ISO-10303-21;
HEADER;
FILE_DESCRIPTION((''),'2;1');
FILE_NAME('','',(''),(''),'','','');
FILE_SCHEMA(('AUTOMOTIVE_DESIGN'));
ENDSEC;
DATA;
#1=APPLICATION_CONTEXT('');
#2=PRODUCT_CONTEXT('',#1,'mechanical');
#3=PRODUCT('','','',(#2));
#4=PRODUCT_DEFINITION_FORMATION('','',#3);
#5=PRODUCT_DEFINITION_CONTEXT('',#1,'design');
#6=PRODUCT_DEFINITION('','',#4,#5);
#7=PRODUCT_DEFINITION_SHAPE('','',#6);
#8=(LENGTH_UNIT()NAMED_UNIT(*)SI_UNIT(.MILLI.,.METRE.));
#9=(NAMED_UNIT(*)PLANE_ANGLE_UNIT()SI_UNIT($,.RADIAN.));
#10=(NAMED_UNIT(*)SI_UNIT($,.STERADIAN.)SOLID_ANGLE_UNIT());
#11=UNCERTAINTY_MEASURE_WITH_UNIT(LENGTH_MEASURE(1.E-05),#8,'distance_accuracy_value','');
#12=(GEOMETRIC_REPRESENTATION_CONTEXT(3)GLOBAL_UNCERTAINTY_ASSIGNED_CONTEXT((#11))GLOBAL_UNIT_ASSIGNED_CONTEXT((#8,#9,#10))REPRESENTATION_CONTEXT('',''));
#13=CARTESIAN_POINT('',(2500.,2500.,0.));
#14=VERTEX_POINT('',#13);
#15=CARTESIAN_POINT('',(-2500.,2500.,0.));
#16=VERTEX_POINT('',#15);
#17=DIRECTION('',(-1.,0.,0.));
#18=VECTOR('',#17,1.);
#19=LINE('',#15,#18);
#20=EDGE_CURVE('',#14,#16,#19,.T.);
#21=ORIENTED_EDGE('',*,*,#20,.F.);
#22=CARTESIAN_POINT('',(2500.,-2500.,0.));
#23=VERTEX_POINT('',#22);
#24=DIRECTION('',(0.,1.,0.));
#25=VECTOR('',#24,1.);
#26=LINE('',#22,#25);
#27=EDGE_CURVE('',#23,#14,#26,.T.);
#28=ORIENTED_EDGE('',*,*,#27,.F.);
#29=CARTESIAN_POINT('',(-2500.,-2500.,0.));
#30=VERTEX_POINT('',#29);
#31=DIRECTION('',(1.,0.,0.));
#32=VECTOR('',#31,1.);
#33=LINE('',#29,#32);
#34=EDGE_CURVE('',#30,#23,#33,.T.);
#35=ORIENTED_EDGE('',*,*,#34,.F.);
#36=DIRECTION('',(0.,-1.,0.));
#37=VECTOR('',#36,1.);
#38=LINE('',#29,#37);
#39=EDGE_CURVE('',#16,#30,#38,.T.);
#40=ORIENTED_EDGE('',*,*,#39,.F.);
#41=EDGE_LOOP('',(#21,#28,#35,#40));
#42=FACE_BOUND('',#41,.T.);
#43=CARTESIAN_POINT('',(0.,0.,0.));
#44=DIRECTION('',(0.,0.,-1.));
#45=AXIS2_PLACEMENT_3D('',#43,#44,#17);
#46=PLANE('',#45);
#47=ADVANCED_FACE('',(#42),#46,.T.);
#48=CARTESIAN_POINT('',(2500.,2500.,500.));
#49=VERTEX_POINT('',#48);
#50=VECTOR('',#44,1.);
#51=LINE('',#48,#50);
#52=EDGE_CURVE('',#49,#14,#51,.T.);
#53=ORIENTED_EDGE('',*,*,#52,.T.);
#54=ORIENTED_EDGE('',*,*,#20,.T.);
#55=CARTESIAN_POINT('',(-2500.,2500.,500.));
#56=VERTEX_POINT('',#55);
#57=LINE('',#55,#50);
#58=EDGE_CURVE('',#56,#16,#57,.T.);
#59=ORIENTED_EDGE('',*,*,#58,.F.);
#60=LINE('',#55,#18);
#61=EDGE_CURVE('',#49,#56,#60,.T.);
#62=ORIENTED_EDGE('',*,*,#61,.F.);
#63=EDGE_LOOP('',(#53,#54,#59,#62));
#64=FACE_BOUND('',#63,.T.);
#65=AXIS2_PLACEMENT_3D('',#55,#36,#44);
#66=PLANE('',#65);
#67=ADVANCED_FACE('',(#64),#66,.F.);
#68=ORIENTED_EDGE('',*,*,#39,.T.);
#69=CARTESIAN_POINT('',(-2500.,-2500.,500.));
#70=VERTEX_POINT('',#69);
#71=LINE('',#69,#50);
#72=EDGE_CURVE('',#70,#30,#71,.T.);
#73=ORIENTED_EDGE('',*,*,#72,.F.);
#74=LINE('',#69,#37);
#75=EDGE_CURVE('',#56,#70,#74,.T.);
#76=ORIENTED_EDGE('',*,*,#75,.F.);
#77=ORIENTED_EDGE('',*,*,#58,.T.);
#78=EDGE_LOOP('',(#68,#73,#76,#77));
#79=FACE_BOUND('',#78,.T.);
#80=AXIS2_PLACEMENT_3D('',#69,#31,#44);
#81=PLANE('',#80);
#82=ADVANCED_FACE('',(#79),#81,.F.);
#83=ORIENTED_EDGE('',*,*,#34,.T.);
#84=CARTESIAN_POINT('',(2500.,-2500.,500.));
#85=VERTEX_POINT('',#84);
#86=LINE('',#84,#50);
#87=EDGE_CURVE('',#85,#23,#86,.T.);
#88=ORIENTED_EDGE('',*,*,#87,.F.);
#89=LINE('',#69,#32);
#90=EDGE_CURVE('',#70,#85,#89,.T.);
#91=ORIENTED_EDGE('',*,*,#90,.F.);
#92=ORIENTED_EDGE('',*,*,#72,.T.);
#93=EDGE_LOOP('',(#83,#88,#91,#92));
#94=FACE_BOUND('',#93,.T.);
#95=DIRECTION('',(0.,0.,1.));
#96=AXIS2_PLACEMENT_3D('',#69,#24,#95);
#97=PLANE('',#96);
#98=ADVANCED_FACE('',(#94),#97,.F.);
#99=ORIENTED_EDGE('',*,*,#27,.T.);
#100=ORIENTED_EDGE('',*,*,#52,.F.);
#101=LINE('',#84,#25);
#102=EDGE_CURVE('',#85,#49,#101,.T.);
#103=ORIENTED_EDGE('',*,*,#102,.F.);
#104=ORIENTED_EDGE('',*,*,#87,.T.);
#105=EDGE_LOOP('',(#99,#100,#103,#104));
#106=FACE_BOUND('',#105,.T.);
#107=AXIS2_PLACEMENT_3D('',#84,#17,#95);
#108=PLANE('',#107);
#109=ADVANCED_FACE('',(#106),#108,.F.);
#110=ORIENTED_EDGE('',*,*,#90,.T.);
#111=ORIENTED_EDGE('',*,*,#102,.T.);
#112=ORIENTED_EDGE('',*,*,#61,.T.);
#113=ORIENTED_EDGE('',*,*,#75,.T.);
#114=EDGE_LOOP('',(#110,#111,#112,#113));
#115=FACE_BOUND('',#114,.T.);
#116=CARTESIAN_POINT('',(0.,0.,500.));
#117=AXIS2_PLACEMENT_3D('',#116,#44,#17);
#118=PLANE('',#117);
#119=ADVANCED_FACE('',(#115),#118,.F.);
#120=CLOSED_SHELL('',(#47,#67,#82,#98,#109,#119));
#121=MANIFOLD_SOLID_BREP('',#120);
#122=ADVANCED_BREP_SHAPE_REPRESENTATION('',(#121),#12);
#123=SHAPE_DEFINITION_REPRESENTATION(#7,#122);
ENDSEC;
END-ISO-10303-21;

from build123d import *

# Parameters (mm, degrees)
SKETCH1_W           = 5000
SKETCH1_H           = 5000
BOSS_EXTRUDE1_DEPTH = 500


with BuildPart() as part:
    # Sketch1 → Boss-Extrude1 (new body)
    with BuildSketch(Plane.XY):
        Rectangle(SKETCH1_W, SKETCH1_H)
    extrude(amount=BOSS_EXTRUDE1_DEPTH)


solid = part.part
